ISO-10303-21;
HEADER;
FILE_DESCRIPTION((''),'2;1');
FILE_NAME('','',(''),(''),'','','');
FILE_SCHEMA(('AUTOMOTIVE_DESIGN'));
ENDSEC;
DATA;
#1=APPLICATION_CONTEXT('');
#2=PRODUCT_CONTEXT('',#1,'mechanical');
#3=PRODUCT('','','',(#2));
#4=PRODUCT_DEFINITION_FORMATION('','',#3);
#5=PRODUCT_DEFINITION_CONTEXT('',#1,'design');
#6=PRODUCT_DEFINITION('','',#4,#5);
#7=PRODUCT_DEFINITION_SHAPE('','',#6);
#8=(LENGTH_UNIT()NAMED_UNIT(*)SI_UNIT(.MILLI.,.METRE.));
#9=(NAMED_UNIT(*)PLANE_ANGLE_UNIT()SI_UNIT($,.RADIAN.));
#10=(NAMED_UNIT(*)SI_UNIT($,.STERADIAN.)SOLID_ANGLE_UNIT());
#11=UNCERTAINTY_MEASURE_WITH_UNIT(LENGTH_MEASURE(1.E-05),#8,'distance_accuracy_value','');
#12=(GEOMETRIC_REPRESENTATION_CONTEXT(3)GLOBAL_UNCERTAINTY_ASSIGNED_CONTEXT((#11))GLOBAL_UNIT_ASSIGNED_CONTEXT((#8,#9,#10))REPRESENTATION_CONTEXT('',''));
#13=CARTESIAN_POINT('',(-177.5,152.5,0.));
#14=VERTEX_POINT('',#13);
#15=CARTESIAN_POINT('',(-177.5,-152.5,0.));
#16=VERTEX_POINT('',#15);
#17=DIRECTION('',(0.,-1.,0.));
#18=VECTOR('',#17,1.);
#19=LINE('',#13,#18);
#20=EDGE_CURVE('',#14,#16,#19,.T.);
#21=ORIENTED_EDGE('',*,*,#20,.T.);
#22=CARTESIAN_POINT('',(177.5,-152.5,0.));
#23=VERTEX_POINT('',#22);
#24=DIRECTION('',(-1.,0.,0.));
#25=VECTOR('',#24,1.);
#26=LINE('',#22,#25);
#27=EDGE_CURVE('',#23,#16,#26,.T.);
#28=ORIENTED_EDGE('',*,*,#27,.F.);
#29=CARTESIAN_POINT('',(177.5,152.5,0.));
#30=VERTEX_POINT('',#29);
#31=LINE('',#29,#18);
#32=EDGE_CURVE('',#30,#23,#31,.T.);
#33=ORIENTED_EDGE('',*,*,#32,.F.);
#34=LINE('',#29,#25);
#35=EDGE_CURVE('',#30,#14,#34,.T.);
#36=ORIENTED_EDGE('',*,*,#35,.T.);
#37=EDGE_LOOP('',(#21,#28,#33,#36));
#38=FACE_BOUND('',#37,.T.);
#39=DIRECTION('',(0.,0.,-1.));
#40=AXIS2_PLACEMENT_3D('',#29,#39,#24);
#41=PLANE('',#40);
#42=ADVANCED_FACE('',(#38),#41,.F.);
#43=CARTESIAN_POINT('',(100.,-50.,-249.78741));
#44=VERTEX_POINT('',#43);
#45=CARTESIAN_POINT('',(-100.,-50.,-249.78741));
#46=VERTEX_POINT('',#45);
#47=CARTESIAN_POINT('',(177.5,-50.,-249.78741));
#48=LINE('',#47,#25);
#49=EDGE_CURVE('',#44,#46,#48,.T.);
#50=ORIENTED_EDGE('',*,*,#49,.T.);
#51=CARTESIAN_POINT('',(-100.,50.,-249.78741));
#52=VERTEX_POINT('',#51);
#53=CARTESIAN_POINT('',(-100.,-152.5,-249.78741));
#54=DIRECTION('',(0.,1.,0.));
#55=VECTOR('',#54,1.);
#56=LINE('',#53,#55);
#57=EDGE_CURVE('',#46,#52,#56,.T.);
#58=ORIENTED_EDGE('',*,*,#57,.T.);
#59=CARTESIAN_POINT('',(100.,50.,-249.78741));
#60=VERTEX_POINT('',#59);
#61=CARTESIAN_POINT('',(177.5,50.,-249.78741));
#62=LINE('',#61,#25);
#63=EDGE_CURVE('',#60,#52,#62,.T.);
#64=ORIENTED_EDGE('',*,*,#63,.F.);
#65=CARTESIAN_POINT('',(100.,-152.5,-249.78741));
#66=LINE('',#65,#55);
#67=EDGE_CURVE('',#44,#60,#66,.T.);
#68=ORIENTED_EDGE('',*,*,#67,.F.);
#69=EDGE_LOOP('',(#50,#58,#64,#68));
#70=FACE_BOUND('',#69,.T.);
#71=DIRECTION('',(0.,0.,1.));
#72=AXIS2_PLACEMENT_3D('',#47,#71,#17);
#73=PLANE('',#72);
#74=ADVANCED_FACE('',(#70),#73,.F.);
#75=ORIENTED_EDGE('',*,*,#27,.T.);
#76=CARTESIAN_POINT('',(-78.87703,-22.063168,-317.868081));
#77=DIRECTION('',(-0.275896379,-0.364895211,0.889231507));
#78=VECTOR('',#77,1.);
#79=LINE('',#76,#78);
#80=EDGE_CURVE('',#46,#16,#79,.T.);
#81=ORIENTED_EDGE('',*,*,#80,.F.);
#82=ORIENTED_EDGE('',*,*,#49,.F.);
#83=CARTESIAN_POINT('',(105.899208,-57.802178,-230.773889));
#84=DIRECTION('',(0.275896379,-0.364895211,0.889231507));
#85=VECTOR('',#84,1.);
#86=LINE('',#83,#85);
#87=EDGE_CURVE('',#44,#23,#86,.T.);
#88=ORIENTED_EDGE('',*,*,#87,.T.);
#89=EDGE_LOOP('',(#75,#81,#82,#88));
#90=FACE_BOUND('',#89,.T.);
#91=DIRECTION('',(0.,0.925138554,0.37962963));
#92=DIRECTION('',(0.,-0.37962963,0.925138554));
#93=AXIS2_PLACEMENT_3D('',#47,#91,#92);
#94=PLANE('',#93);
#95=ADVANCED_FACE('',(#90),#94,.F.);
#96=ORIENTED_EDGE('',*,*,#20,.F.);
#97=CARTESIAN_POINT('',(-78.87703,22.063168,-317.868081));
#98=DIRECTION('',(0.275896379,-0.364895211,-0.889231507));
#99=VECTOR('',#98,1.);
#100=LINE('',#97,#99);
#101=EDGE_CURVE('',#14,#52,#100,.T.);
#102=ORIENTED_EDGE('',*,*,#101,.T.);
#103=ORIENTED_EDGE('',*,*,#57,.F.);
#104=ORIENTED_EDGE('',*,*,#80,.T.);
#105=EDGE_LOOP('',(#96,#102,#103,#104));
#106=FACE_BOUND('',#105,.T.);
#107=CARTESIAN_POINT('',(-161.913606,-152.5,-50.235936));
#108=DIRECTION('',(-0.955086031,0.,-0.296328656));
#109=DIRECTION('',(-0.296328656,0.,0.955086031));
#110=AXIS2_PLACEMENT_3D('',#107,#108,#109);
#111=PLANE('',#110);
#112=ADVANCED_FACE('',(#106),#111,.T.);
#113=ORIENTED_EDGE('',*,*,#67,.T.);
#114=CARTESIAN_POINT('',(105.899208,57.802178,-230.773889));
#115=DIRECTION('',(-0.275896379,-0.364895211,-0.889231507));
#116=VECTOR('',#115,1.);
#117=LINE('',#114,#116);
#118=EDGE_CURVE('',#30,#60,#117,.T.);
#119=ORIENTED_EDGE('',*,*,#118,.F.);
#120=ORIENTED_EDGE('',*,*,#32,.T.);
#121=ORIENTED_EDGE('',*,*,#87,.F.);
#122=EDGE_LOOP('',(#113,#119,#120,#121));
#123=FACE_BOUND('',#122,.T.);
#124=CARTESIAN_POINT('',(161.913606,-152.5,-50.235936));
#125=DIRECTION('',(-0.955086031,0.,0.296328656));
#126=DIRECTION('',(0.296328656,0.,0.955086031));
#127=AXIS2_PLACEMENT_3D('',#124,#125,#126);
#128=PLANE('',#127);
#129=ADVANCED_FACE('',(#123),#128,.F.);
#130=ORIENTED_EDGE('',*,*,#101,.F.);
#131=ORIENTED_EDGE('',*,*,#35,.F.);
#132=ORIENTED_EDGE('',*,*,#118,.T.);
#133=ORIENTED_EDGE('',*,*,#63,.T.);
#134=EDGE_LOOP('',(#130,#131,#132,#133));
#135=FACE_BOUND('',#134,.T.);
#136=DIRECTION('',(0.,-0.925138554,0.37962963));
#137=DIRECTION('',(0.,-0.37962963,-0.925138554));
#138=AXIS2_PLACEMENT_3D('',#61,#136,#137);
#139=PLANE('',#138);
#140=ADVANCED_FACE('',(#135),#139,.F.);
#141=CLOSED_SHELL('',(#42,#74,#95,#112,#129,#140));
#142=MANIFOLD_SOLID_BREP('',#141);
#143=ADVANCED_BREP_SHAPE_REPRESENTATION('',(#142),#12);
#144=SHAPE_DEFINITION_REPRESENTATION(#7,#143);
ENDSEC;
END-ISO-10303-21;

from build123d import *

# Parameters (mm, degrees)
BOSS_EXTRUDE2_DEPTH = 177.5
CUT_EXTRUDE1_DEPTH  = 152.5


with BuildPart() as part:
    # Sketch2 → Boss-Extrude2 (new body, symmetric)
    with BuildSketch(Plane(origin=(0, 0, 0), x_dir=(0, 0, -1), z_dir=(1, 0, 0))):
        Polygon((0, 152.5), (0, -152.5), (249.787409611, -50), (249.787409611, 50), align=None)
    extrude(amount=BOSS_EXTRUDE2_DEPTH, both=True)

    # Sketch3 → Cut-Extrude1 (cut, symmetric)
    with BuildSketch(Plane(origin=(0, 0, 0), x_dir=(1, 0, 0), z_dir=(0, 1, 0))):
        Polygon((-177.5, 249.787409611), (-100, 249.787409611), (-177.5, 0), align=None)
        Polygon((177.5, 0), (177.5, 249.787409611), (100, 249.787409611), align=None)
    extrude(amount=CUT_EXTRUDE1_DEPTH, both=True, mode=Mode.SUBTRACT)


solid = part.part
